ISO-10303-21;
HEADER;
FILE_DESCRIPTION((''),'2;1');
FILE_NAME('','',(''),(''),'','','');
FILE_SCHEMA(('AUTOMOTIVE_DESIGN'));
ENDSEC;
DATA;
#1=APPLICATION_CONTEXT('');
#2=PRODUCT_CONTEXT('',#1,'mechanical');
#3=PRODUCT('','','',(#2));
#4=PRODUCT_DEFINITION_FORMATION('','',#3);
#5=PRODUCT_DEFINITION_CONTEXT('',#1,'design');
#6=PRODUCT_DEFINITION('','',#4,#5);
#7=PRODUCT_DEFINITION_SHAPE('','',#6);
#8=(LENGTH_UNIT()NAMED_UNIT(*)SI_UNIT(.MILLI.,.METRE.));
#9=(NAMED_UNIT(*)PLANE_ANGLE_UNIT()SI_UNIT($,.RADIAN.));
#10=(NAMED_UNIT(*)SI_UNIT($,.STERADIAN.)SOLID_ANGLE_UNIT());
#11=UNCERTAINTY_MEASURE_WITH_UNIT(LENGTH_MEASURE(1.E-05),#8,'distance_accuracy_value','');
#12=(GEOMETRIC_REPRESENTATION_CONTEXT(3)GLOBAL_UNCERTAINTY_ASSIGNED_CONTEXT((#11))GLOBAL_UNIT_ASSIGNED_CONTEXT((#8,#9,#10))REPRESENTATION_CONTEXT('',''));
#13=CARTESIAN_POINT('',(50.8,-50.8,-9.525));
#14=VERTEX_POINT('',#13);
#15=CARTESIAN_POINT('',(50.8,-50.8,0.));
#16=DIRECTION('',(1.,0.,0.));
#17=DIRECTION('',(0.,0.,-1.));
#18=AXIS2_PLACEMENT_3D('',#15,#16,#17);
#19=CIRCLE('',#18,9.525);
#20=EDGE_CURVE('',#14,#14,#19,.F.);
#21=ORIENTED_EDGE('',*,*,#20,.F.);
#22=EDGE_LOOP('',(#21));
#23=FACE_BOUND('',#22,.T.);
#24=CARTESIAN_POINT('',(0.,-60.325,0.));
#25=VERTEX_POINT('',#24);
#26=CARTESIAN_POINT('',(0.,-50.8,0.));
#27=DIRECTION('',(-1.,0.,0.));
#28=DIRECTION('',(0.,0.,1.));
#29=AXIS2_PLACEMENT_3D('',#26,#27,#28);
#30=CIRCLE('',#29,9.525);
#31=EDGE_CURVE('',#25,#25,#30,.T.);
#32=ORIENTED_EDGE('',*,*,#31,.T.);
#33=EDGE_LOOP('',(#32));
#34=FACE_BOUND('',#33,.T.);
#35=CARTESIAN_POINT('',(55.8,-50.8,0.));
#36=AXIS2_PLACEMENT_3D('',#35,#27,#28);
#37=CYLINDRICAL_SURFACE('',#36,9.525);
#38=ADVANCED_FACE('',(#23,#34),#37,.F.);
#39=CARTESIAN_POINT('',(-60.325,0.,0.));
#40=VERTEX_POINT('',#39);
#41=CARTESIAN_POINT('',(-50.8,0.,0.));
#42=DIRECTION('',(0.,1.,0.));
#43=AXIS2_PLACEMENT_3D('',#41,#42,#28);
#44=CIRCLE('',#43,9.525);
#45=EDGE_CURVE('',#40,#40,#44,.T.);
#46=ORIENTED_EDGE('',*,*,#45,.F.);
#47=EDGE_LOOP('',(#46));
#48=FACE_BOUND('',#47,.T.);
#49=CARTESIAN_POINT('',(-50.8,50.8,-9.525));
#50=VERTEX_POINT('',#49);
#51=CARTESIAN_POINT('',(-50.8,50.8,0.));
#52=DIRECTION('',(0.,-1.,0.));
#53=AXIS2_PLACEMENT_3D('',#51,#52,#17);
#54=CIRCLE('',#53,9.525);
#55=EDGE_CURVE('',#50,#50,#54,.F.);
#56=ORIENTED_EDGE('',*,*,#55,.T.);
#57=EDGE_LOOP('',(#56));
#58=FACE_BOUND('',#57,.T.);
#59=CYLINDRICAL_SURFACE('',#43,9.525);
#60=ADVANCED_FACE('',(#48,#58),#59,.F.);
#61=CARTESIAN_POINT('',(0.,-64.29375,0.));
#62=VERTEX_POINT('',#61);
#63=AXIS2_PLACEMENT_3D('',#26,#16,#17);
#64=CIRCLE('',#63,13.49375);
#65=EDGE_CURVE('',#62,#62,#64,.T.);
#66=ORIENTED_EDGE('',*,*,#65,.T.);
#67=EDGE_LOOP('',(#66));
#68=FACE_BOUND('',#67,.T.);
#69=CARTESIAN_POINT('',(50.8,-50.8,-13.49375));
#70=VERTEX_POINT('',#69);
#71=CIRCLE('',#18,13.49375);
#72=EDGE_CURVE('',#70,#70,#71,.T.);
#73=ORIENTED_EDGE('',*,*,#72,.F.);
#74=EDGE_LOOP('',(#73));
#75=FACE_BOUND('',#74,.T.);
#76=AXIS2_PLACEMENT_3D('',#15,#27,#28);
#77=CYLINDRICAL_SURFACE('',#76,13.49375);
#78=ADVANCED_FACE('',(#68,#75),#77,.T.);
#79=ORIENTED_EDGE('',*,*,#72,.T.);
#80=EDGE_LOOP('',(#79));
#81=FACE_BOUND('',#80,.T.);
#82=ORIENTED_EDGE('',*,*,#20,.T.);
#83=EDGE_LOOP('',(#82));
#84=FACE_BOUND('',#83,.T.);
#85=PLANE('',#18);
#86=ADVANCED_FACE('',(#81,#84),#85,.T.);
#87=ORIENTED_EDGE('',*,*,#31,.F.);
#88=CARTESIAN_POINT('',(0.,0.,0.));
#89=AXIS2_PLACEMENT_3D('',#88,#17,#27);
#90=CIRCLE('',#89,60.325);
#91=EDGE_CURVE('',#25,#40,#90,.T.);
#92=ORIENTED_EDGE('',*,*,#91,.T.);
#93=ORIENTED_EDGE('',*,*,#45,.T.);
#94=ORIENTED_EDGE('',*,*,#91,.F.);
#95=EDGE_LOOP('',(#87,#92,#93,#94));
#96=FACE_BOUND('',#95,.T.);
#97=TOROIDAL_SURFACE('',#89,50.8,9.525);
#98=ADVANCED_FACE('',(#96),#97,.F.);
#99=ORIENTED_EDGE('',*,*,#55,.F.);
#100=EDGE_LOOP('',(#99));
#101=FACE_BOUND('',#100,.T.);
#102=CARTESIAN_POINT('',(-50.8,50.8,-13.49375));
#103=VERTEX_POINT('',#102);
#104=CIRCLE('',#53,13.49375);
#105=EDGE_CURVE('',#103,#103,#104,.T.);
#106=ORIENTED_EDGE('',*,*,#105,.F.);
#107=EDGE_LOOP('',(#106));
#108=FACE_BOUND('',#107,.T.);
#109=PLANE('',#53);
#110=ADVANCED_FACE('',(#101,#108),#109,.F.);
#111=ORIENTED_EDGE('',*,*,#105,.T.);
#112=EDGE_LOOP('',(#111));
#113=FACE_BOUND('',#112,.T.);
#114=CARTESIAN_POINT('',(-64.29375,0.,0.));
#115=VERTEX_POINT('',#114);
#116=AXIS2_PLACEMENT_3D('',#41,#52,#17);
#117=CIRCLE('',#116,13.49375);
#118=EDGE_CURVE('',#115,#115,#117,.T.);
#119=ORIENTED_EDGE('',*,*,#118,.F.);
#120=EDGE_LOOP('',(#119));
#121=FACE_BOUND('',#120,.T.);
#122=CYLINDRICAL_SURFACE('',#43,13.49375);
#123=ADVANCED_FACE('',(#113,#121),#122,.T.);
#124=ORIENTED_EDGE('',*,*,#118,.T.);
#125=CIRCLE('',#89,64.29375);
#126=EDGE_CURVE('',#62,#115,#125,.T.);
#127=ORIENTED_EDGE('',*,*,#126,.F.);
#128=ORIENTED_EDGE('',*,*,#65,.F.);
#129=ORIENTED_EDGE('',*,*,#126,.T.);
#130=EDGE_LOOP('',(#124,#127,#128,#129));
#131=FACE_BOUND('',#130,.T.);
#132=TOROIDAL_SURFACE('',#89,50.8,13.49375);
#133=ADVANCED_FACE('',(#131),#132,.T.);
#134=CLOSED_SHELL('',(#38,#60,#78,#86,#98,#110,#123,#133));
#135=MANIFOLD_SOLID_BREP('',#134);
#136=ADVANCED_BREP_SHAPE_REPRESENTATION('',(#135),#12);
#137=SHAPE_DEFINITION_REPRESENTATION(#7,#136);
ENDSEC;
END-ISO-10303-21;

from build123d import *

# Parameters (mm, degrees)
SWEEP1_PROFILE_R     = 13.49375
CUT_SWEEP1_PROFILE_R = 9.525


with BuildPart() as part:
    # Sweep1: sweep along a path in Sketch1
    with BuildLine(Plane.XY) as sweep1_path:
        Line((-50.8, 50.8), (-50.8, 0))
        ThreePointArc((-50.8, 0), (-35.921024484, -35.921024484), (0, -50.8))
        Line((0, -50.8), (50.8, -50.8))
    # Sweep1 profile (on start of the path) → Sweep1 (sweep)
    with BuildSketch(Plane(origin=(-50.8, 50.8, 0), x_dir=(0, 0, -1), z_dir=(0, -1, 0))):
        Circle(SWEEP1_PROFILE_R)
    sweep(path=sweep1_path.line)

    # Cut-Sweep1: sweep along a path in Sketch1<4>
    with BuildLine(Plane.XY) as cut_sweep1_path:
        Line((-50.8, 50.8), (-50.8, 0))
        ThreePointArc((-50.8, 0), (-35.921024484, -35.921024484), (0, -50.8))
        Line((0, -50.8), (50.8, -50.8))
    # Cut-Sweep1 profile (on start of the path) → Cut-Sweep1 (sweep, cut)
    with BuildSketch(Plane(origin=(-50.8, 50.8, 0), x_dir=(0, 0, -1), z_dir=(0, -1, 0))):
        Circle(CUT_SWEEP1_PROFILE_R)
    sweep(path=cut_sweep1_path.line, mode=Mode.SUBTRACT)


solid = part.part
